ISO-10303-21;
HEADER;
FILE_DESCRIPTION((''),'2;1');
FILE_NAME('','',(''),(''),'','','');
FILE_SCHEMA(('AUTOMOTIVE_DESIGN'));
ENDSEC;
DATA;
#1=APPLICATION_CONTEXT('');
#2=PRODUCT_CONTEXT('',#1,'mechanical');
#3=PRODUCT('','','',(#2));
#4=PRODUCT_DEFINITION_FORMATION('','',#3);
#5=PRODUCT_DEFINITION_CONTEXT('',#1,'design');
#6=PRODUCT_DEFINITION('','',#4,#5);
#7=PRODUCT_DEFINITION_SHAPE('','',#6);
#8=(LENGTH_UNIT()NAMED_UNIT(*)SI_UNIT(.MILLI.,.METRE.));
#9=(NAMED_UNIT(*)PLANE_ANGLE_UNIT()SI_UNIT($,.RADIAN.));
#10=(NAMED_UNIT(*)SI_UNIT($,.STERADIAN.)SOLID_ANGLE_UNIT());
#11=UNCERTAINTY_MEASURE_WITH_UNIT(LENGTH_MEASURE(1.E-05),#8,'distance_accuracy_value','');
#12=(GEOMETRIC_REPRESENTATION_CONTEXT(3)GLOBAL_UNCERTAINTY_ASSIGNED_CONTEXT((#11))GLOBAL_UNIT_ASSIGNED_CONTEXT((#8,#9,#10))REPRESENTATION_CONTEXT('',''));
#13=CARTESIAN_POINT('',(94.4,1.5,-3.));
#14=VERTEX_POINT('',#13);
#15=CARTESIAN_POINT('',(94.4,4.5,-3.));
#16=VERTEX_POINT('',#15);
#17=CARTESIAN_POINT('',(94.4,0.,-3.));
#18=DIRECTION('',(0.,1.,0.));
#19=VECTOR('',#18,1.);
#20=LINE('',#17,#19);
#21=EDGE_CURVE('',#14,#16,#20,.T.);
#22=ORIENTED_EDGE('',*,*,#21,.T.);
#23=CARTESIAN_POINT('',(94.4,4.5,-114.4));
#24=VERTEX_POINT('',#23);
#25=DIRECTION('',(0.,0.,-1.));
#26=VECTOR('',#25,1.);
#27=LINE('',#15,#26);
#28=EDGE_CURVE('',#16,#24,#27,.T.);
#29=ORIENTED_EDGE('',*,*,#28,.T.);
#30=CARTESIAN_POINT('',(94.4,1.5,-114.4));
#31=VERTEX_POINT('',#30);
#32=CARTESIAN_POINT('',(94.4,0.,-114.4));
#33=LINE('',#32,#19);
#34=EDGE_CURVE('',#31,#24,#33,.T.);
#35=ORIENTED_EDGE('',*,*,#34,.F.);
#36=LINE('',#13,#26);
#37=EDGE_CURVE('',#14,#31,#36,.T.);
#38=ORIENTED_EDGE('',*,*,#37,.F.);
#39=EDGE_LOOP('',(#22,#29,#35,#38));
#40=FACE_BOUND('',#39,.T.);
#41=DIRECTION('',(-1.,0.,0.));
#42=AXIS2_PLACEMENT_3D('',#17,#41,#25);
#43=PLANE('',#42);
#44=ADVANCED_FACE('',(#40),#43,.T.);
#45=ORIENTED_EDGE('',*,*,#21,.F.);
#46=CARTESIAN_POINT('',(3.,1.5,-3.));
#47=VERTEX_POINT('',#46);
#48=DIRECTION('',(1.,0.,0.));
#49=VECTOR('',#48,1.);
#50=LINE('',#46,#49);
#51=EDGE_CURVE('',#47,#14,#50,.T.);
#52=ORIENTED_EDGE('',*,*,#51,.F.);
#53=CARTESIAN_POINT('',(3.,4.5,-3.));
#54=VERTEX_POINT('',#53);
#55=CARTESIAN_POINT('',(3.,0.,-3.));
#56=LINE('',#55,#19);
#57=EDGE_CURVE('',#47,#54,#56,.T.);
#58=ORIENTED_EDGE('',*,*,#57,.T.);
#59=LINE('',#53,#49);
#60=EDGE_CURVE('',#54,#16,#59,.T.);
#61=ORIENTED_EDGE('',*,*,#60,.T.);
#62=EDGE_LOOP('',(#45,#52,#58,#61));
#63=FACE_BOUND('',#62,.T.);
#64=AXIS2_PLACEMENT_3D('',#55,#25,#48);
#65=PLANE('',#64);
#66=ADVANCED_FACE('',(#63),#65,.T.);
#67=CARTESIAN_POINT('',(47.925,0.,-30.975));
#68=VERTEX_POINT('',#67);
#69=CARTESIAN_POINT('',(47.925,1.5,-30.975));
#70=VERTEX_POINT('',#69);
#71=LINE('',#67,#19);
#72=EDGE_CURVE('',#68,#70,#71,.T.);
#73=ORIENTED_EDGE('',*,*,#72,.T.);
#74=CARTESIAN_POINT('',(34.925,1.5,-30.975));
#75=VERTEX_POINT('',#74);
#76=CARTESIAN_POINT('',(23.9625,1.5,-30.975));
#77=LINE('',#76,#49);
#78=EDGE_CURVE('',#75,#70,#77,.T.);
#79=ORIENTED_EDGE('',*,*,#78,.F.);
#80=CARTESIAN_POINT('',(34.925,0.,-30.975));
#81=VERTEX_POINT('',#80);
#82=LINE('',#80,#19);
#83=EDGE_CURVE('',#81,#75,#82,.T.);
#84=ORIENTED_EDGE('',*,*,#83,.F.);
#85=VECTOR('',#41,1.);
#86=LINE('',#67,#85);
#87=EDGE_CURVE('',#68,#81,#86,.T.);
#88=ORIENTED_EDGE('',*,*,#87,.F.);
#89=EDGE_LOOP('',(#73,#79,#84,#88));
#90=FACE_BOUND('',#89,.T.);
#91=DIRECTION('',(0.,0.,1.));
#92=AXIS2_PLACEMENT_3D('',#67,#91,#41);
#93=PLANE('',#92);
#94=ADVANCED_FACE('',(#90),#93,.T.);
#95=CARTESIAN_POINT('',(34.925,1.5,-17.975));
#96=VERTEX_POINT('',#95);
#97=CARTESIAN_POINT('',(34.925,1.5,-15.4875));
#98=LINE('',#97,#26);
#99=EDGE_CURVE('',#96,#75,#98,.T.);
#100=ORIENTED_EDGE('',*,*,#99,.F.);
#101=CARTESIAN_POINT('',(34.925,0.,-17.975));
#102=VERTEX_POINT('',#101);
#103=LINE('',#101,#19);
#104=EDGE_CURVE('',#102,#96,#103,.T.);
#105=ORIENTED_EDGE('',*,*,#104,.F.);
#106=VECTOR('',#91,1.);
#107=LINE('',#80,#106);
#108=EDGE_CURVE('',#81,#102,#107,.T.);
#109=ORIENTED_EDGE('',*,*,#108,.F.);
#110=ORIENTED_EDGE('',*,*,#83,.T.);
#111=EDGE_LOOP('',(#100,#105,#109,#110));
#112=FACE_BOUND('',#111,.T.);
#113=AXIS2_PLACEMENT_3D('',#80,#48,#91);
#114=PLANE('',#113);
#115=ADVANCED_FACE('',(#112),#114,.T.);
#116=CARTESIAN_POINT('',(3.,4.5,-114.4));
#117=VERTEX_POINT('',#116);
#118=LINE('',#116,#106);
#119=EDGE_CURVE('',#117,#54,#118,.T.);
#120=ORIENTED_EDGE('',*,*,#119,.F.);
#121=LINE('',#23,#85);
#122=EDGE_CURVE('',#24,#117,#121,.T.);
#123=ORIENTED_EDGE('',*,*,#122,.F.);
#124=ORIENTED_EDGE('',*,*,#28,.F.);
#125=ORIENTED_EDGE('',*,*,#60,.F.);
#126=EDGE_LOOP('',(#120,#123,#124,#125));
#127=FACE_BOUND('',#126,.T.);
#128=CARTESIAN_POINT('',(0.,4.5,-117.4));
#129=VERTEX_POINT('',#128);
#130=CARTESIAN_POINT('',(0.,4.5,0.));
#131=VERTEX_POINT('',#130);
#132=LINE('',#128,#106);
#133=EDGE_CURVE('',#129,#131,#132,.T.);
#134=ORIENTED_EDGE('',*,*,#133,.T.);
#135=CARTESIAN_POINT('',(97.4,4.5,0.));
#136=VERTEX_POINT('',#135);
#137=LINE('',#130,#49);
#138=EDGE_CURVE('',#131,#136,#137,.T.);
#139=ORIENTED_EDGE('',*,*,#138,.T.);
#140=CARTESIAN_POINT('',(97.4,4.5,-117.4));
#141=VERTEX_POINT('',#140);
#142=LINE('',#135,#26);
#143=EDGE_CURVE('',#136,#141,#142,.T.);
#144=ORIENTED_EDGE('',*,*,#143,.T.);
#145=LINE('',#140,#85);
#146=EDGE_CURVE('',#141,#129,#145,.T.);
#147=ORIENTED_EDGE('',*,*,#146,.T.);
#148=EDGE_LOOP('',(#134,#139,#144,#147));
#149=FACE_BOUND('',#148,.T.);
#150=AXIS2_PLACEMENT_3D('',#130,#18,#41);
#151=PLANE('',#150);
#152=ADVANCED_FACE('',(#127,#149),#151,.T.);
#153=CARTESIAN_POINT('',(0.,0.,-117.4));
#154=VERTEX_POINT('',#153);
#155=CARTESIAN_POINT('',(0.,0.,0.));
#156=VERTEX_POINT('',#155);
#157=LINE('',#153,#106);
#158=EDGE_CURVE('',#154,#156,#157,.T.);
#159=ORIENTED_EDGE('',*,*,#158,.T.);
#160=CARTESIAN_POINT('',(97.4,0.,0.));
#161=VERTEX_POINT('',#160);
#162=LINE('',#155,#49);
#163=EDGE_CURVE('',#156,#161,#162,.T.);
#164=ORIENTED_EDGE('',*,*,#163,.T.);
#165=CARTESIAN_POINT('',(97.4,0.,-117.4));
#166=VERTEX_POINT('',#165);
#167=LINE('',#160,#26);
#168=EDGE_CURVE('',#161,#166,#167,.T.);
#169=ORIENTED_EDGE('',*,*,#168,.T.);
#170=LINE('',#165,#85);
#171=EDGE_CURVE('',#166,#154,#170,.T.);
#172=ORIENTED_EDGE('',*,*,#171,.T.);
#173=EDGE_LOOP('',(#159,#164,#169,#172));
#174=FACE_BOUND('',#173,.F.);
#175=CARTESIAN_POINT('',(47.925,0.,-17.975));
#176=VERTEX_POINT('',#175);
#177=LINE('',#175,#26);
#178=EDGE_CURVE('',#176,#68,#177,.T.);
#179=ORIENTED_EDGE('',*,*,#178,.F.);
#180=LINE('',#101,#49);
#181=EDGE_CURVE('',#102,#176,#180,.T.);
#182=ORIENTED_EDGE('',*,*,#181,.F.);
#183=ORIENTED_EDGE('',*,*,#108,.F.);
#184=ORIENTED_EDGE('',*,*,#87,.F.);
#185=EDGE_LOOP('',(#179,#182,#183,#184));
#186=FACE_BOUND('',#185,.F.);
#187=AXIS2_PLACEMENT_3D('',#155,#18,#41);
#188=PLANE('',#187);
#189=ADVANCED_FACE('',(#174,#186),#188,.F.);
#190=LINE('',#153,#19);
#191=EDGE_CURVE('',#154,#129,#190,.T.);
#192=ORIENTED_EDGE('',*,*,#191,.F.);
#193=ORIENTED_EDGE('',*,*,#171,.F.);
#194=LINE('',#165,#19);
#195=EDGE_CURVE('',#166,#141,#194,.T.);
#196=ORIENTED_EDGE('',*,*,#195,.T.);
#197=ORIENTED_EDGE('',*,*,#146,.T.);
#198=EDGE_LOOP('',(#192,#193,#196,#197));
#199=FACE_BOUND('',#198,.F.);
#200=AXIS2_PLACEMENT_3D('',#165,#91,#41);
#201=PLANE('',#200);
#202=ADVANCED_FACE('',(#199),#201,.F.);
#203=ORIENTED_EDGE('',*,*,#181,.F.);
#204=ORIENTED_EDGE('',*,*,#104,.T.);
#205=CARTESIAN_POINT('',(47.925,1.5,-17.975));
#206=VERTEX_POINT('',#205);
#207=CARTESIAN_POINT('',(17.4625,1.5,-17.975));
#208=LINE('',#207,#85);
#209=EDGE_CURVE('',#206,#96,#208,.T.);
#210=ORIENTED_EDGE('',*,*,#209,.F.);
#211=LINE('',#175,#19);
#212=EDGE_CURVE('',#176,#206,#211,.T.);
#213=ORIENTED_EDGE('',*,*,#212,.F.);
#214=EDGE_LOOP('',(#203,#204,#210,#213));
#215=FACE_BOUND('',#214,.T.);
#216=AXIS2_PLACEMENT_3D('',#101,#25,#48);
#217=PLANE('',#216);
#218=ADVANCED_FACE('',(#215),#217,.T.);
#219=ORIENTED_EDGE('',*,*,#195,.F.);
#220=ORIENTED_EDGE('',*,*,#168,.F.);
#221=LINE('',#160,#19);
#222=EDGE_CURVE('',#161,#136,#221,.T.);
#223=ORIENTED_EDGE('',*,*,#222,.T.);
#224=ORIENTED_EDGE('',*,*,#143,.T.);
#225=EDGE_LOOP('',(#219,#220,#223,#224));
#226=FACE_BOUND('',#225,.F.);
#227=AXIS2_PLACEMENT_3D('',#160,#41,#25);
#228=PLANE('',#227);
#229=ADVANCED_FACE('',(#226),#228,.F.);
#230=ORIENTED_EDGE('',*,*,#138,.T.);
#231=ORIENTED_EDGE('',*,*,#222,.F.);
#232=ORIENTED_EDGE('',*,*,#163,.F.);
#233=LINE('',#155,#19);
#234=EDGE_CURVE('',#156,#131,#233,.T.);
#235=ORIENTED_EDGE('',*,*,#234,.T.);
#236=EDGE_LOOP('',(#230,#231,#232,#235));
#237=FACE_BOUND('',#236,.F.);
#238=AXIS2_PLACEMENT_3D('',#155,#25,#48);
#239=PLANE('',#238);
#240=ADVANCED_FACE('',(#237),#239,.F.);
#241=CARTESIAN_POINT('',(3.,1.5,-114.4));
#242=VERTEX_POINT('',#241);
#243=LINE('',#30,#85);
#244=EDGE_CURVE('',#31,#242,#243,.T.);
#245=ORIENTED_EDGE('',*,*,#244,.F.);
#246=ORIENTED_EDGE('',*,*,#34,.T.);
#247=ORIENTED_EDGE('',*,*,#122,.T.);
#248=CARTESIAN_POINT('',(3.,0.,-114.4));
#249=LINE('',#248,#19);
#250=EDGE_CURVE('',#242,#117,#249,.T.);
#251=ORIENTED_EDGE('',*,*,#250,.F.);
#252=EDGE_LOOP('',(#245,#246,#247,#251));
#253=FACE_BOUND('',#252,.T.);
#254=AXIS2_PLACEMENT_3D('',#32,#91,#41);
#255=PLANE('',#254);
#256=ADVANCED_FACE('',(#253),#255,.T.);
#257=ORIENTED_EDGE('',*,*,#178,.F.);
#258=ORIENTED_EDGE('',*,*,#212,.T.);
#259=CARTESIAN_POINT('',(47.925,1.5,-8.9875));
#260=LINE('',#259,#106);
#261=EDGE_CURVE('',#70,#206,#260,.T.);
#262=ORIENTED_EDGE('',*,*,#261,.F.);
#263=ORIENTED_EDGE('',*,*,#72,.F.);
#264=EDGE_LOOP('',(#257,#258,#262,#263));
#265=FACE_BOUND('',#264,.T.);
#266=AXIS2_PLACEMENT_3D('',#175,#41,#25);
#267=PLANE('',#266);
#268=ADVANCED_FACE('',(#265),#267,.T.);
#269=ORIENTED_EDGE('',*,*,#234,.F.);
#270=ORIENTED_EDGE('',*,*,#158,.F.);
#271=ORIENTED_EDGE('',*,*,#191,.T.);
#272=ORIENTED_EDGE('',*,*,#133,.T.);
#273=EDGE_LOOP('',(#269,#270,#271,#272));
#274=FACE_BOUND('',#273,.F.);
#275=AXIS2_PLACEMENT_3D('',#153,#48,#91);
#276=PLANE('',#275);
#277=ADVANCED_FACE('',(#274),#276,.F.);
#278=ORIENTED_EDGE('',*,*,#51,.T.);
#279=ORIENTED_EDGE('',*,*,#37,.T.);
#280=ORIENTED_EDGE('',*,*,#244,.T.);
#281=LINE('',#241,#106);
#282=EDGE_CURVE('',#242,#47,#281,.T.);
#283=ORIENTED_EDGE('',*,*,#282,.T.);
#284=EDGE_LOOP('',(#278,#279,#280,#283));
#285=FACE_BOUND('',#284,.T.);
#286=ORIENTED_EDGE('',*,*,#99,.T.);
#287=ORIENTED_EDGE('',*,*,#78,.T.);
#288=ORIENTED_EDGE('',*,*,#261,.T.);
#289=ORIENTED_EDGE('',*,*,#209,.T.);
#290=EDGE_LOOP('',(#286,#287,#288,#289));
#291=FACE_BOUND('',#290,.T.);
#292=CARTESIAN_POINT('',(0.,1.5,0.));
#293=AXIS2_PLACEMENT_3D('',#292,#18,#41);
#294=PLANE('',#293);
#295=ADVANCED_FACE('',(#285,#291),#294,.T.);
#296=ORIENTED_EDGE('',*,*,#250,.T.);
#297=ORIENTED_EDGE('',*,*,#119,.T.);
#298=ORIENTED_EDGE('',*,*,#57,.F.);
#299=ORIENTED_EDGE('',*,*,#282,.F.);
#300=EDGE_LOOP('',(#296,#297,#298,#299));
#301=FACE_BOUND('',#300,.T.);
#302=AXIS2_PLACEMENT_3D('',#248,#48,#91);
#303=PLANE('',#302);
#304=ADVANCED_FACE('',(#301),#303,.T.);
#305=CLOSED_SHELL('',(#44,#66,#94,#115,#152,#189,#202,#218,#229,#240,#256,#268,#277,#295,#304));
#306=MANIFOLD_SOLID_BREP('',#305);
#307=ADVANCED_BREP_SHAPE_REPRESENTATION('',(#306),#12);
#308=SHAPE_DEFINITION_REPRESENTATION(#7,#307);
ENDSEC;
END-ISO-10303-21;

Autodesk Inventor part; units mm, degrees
ref_plane "YZ Plane" through (0, 0, 0) normal (1, 0, 0) x (0, 1, 0)
ref_plane "XZ Plane" through (0, 0, 0) normal (0, 1, 0) x (-1, 0, 0)
ref_plane "XY Plane" through (0, 0, 0) normal (0, 0, 1) x (1, 0, 0)
sketch "Esboço1" plane through (0, 0, 0) normal (0, 1, 0) x (-1, 0, 0)
  line L0 (0, 0) -> (-97.4, 0)
  line L1 (-97.4, 0) -> (-97.4, -117.4)
  line L2 (-97.4, -117.4) -> (0, -117.4)
  line L3 (0, -117.4) -> (0, 0)
  line L4 (-3, -3) -> (-94.4, -3)
  line L5 (-94.4, -3) -> (-94.4, -114.4)
  line L6 (-94.4, -114.4) -> (-3, -114.4)
  line L7 (-3, -114.4) -> (-3, -3)
  point P0 (-48.7, -114.4)
  point P1 (-48.7, 0)
  point P2 (-48.7, -3)
  dimension "d2" = 3
  dimension "d3" = 3
  dimension "d4" = 3
  dimension "d5" = 3
  dimension "d6" = 91.4
  dimension "d7" = 111.4
extrude "Extrusão1" add sketch "Esboço1" along normal blind 1.5 contours L7 L6 L5 L4
extrude "Extrusão2" add sketch "Esboço1" along normal blind 4.5
sketch "Esboço2" plane through (0, 0, 0) normal (0, -1, 0) x (1, 0, 0)
  line L0 (47.925, -30.975) -> (34.925, -30.975)
  line L1 (34.925, -30.975) -> (34.925, -17.975)
  line L2 (34.925, -17.975) -> (47.925, -17.975)
  line L3 (47.925, -17.975) -> (47.925, -30.975)
  line L4 (0, 0) -> (97.4, 0) projected
  line L5 (0, -117.4) -> (0, 0) projected
  dimension "d12" = 13
  dimension "d13" = 13
  dimension "d16" = 17.975
  dimension "d17" = 34.925
extrude "Extrusão3" cut sketch "Esboço2" against normal blind 10
properties part number "Tampa_3DPrint"
